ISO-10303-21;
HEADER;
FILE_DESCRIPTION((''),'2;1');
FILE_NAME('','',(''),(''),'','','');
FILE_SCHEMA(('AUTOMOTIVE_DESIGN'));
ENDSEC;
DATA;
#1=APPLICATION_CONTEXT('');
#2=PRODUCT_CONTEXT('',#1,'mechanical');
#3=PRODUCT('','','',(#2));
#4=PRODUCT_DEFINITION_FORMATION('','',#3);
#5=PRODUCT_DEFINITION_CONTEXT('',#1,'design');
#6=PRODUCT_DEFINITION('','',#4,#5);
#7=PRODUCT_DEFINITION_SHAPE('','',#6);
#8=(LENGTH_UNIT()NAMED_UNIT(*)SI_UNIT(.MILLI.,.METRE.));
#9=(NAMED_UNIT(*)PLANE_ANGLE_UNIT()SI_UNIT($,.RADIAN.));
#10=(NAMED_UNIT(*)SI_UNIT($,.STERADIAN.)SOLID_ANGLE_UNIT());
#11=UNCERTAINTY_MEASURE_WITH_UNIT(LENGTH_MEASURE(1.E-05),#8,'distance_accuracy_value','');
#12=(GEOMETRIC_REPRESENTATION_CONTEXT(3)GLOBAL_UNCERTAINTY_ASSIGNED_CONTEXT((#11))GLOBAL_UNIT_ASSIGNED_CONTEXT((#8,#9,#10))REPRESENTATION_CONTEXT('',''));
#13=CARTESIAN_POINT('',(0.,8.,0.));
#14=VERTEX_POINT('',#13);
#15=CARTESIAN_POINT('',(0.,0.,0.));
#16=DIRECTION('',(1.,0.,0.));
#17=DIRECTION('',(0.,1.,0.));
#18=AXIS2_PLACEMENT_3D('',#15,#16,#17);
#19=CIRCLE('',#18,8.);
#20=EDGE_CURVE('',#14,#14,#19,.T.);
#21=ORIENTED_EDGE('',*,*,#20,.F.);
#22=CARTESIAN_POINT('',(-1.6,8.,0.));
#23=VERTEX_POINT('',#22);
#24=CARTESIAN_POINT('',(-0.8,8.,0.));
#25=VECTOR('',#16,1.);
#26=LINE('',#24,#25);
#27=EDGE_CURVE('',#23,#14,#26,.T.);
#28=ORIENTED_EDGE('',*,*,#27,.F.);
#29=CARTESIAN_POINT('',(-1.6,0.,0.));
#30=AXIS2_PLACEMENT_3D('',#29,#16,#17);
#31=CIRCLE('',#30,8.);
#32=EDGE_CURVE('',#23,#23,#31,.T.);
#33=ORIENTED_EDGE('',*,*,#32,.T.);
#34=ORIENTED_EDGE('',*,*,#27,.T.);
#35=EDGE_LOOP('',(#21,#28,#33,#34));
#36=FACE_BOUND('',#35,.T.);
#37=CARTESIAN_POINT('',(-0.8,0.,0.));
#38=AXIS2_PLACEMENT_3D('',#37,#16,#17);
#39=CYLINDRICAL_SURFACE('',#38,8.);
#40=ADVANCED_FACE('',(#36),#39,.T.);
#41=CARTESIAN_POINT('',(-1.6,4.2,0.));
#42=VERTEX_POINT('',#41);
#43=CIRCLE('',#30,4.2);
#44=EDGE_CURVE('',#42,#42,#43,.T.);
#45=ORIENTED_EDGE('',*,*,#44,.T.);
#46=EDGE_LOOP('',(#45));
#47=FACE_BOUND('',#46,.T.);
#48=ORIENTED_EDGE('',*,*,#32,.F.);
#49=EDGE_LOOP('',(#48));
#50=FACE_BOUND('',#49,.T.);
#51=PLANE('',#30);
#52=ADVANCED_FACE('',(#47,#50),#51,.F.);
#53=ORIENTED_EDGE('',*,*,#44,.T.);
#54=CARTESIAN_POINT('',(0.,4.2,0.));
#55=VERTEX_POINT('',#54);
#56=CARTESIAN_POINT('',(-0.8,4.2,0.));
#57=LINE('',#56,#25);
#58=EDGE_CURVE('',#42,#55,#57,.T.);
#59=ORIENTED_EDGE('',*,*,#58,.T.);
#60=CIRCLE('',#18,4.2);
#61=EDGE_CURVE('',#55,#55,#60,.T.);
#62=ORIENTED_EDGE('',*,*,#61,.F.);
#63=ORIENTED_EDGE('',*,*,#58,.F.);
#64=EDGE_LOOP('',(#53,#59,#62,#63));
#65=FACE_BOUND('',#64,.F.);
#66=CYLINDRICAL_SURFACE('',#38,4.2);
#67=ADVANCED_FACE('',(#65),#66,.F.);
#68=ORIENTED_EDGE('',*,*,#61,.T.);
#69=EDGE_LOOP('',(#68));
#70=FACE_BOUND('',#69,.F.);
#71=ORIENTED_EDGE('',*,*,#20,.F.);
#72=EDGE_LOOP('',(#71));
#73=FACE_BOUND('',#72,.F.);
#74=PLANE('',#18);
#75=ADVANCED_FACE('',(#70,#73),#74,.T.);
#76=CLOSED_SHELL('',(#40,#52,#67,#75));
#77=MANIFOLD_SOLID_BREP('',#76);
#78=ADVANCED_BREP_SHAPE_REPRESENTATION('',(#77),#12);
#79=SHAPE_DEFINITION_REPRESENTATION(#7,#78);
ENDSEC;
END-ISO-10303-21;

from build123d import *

# Parameters (mm, degrees)
SKETCH1_W = 1.6
SKETCH1_H = 3.8


with BuildPart() as part:
    # Sketch1 → Base-Revolve (revolve)
    with BuildSketch(Plane.XY):
        with Locations((-0.8, 6.1)):
            Rectangle(SKETCH1_W, SKETCH1_H)
    revolve(axis=Axis((-34.925, 0, 0), (1, 0, 0)))


solid = part.part
